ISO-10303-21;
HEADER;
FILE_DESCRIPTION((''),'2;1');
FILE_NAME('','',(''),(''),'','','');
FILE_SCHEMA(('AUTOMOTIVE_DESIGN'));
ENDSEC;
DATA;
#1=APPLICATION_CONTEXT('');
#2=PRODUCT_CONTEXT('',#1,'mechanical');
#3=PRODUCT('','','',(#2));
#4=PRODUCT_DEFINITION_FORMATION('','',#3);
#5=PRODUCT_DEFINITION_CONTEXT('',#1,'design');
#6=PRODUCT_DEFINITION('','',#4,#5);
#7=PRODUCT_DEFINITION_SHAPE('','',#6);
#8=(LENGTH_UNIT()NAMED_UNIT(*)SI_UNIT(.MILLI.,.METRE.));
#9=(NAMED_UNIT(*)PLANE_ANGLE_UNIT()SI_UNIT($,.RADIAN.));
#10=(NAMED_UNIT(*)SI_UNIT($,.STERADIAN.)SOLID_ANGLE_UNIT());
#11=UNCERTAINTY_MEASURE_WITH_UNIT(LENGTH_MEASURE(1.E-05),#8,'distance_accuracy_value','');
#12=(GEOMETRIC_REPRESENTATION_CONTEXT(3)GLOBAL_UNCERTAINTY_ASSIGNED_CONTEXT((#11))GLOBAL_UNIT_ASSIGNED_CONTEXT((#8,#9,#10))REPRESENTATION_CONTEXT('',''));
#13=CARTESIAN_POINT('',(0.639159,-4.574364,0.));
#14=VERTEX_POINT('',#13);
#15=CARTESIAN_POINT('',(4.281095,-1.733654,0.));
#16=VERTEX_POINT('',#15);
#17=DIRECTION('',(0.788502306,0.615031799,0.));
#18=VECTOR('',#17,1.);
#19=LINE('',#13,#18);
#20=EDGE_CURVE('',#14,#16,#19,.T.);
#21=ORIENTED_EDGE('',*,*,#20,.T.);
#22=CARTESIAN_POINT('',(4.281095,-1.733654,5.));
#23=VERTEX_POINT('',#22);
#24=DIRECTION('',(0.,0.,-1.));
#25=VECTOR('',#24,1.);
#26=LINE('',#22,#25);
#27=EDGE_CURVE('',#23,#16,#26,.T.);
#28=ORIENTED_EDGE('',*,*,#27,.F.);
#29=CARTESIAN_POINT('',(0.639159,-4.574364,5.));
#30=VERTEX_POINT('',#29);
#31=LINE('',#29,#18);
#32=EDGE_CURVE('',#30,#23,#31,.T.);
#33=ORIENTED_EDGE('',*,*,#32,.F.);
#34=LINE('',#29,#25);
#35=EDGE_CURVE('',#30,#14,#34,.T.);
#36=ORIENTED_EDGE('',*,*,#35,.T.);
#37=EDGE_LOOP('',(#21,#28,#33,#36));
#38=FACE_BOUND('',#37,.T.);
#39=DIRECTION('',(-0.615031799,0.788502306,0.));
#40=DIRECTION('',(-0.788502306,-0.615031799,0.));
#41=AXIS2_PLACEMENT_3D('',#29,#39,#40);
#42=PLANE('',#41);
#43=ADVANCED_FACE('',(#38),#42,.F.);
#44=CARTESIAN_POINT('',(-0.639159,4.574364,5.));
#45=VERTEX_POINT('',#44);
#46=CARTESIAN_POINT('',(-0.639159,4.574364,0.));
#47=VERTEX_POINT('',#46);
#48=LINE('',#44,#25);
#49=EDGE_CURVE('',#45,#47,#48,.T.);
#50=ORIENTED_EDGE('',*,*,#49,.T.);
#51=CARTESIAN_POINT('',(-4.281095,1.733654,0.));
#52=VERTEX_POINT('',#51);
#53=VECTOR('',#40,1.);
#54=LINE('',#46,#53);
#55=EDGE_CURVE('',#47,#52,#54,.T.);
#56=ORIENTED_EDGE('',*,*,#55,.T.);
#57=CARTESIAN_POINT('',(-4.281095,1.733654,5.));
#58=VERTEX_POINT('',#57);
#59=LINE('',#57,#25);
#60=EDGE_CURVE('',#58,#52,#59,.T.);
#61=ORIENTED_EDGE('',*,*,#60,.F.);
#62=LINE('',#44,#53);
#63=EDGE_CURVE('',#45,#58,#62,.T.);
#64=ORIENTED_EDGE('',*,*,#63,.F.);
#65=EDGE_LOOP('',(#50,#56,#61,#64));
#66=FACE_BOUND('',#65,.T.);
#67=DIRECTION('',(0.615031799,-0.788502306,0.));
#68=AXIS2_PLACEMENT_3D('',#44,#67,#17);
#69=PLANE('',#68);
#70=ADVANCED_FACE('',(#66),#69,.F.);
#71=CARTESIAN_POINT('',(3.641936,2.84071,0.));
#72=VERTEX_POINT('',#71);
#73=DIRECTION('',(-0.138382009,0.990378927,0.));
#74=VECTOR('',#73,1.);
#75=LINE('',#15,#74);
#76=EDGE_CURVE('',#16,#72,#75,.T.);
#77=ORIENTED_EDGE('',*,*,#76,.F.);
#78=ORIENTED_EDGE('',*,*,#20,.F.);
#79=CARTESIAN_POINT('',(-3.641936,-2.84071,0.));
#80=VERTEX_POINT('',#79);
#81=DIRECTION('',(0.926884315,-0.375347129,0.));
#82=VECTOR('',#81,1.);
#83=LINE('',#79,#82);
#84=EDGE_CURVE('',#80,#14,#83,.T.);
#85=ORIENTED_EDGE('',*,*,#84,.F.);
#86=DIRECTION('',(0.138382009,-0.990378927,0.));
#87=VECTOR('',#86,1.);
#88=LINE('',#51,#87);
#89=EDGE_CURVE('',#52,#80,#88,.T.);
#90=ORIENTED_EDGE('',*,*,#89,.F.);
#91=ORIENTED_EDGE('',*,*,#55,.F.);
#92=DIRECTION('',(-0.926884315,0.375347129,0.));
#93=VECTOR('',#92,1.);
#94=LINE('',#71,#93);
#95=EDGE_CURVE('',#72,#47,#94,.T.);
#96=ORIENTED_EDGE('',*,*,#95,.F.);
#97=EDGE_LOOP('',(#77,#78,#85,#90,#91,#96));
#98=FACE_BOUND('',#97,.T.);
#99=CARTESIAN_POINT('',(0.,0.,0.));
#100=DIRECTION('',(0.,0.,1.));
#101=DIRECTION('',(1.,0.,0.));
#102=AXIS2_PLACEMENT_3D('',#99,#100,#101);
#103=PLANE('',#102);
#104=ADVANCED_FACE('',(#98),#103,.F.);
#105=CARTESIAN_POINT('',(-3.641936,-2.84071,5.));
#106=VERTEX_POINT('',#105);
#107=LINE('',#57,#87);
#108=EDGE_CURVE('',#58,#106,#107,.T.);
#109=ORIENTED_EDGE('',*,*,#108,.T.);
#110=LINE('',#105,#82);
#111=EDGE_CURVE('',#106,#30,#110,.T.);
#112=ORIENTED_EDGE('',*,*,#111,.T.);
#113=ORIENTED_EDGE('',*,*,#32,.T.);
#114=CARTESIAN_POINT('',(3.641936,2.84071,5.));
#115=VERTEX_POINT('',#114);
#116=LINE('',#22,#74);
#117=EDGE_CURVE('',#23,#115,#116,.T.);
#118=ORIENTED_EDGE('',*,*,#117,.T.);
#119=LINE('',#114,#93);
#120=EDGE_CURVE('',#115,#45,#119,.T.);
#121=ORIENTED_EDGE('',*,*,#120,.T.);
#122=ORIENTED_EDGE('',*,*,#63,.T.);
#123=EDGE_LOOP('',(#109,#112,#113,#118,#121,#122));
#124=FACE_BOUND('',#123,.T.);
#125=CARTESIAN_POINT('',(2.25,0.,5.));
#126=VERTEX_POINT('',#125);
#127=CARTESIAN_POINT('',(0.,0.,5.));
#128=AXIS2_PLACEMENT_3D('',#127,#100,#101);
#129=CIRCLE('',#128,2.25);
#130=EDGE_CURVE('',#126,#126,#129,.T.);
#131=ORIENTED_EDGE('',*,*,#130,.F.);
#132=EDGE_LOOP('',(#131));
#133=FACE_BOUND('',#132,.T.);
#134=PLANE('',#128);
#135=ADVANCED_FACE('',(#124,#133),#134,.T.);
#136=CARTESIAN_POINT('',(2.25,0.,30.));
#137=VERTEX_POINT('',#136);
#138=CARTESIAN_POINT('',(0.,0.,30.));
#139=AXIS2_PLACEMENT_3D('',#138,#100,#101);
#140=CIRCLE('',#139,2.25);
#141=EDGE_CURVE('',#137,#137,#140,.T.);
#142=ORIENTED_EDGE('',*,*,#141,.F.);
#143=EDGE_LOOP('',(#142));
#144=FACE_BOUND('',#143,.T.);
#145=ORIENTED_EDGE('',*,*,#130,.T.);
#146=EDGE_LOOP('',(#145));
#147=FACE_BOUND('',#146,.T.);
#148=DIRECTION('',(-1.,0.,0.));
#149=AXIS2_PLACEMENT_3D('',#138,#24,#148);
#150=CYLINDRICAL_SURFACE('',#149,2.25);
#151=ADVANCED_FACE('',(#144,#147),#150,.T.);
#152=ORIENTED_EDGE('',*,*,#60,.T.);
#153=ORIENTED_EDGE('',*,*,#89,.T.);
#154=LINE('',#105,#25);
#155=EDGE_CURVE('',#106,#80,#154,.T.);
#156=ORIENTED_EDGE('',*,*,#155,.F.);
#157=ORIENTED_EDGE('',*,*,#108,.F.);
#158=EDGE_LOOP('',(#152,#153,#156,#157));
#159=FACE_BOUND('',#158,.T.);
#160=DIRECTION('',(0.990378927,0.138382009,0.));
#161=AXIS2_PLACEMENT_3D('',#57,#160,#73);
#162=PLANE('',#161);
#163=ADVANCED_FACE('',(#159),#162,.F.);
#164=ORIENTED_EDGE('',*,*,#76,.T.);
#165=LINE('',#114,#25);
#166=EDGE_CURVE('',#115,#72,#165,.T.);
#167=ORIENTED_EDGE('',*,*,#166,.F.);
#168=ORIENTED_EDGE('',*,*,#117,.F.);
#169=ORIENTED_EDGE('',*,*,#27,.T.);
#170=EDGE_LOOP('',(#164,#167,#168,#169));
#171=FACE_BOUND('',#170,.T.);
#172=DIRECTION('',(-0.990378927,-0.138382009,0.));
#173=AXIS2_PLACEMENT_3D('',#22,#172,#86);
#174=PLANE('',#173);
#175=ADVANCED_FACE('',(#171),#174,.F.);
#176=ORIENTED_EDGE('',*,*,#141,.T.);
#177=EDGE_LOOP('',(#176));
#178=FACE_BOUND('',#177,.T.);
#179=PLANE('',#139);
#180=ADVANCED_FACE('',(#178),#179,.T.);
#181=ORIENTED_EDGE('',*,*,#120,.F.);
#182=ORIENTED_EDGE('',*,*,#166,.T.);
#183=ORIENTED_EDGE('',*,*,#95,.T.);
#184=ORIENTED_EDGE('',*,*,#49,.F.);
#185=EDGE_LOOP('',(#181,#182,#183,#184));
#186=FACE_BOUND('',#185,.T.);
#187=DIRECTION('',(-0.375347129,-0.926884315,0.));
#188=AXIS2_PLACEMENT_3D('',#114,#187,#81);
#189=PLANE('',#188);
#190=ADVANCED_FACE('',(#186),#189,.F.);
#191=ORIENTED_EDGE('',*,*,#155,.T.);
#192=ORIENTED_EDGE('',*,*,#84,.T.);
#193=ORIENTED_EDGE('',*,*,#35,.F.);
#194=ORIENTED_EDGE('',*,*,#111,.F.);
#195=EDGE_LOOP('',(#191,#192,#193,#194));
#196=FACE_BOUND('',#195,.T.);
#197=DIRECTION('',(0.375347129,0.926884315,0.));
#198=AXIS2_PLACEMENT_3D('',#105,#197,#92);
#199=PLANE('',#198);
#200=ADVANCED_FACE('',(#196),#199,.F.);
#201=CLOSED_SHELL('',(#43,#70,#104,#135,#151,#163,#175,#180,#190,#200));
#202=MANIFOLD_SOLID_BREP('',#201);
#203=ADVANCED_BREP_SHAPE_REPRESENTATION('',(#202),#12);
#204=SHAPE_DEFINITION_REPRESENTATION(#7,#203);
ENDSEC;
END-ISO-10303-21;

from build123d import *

# Parameters (mm, degrees)
BOSS_EXTRUDE2_DEPTH = 5
SKETCH2_R           = 2.25
BOSS_EXTRUDE3_DEPTH = 25


with BuildPart() as part:
    # Sketch1 → Boss-Extrude2 (new body)
    with BuildSketch(Plane.XY):
        Polygon((3.641936149, 2.840710196), (-0.63915912, 4.574364322), (-4.281095269, 1.733654126), (-3.641936149, -2.840710196), (0.63915912, -4.574364322), (4.281095269, -1.733654126), align=None)
    extrude(amount=BOSS_EXTRUDE2_DEPTH)

    # Sketch2 → Boss-Extrude3 (add)
    with BuildSketch(Plane.XY.offset(5)):
        Circle(SKETCH2_R)
    extrude(amount=BOSS_EXTRUDE3_DEPTH)


solid = part.part
